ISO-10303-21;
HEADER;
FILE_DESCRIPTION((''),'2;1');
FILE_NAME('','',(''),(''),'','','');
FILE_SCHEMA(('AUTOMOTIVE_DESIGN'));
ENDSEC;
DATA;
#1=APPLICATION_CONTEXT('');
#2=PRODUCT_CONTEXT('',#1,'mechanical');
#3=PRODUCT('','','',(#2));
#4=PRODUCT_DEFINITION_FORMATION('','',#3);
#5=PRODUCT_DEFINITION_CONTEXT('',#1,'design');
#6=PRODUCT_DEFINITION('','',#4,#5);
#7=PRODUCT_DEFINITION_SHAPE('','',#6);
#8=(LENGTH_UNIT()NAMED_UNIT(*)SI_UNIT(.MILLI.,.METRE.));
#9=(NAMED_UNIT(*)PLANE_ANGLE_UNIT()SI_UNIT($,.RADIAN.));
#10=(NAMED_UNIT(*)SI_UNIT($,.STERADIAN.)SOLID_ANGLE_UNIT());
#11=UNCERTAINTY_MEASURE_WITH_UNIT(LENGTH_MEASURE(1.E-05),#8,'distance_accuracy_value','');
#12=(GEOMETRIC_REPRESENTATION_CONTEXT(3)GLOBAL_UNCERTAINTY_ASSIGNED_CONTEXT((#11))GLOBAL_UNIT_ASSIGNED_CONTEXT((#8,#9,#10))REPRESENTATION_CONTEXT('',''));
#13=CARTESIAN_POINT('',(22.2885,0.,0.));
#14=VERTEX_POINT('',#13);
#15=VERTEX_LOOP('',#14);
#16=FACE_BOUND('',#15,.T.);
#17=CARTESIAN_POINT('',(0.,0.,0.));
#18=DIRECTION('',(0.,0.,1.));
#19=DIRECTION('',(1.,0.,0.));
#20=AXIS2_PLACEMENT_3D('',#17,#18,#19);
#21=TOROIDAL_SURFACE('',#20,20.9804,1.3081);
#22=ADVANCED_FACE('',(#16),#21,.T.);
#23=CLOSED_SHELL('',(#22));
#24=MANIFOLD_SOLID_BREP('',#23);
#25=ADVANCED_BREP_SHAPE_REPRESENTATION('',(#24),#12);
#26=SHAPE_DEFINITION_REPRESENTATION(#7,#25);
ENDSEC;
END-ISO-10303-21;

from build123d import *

# Parameters (mm, degrees)
SKETCH1_R = 1.3081


with BuildPart() as part:
    # Sketch1 → Revolve1 (revolve)
    with BuildSketch(Plane(origin=(0, 0, 0), x_dir=(0, -1, 0), z_dir=(1, 0, 0))):
        with Locations((20.9804, 0)):
            Circle(SKETCH1_R)
    revolve(axis=Axis((0, 0, 1.3081), (0, 0, -1)))


solid = part.part
